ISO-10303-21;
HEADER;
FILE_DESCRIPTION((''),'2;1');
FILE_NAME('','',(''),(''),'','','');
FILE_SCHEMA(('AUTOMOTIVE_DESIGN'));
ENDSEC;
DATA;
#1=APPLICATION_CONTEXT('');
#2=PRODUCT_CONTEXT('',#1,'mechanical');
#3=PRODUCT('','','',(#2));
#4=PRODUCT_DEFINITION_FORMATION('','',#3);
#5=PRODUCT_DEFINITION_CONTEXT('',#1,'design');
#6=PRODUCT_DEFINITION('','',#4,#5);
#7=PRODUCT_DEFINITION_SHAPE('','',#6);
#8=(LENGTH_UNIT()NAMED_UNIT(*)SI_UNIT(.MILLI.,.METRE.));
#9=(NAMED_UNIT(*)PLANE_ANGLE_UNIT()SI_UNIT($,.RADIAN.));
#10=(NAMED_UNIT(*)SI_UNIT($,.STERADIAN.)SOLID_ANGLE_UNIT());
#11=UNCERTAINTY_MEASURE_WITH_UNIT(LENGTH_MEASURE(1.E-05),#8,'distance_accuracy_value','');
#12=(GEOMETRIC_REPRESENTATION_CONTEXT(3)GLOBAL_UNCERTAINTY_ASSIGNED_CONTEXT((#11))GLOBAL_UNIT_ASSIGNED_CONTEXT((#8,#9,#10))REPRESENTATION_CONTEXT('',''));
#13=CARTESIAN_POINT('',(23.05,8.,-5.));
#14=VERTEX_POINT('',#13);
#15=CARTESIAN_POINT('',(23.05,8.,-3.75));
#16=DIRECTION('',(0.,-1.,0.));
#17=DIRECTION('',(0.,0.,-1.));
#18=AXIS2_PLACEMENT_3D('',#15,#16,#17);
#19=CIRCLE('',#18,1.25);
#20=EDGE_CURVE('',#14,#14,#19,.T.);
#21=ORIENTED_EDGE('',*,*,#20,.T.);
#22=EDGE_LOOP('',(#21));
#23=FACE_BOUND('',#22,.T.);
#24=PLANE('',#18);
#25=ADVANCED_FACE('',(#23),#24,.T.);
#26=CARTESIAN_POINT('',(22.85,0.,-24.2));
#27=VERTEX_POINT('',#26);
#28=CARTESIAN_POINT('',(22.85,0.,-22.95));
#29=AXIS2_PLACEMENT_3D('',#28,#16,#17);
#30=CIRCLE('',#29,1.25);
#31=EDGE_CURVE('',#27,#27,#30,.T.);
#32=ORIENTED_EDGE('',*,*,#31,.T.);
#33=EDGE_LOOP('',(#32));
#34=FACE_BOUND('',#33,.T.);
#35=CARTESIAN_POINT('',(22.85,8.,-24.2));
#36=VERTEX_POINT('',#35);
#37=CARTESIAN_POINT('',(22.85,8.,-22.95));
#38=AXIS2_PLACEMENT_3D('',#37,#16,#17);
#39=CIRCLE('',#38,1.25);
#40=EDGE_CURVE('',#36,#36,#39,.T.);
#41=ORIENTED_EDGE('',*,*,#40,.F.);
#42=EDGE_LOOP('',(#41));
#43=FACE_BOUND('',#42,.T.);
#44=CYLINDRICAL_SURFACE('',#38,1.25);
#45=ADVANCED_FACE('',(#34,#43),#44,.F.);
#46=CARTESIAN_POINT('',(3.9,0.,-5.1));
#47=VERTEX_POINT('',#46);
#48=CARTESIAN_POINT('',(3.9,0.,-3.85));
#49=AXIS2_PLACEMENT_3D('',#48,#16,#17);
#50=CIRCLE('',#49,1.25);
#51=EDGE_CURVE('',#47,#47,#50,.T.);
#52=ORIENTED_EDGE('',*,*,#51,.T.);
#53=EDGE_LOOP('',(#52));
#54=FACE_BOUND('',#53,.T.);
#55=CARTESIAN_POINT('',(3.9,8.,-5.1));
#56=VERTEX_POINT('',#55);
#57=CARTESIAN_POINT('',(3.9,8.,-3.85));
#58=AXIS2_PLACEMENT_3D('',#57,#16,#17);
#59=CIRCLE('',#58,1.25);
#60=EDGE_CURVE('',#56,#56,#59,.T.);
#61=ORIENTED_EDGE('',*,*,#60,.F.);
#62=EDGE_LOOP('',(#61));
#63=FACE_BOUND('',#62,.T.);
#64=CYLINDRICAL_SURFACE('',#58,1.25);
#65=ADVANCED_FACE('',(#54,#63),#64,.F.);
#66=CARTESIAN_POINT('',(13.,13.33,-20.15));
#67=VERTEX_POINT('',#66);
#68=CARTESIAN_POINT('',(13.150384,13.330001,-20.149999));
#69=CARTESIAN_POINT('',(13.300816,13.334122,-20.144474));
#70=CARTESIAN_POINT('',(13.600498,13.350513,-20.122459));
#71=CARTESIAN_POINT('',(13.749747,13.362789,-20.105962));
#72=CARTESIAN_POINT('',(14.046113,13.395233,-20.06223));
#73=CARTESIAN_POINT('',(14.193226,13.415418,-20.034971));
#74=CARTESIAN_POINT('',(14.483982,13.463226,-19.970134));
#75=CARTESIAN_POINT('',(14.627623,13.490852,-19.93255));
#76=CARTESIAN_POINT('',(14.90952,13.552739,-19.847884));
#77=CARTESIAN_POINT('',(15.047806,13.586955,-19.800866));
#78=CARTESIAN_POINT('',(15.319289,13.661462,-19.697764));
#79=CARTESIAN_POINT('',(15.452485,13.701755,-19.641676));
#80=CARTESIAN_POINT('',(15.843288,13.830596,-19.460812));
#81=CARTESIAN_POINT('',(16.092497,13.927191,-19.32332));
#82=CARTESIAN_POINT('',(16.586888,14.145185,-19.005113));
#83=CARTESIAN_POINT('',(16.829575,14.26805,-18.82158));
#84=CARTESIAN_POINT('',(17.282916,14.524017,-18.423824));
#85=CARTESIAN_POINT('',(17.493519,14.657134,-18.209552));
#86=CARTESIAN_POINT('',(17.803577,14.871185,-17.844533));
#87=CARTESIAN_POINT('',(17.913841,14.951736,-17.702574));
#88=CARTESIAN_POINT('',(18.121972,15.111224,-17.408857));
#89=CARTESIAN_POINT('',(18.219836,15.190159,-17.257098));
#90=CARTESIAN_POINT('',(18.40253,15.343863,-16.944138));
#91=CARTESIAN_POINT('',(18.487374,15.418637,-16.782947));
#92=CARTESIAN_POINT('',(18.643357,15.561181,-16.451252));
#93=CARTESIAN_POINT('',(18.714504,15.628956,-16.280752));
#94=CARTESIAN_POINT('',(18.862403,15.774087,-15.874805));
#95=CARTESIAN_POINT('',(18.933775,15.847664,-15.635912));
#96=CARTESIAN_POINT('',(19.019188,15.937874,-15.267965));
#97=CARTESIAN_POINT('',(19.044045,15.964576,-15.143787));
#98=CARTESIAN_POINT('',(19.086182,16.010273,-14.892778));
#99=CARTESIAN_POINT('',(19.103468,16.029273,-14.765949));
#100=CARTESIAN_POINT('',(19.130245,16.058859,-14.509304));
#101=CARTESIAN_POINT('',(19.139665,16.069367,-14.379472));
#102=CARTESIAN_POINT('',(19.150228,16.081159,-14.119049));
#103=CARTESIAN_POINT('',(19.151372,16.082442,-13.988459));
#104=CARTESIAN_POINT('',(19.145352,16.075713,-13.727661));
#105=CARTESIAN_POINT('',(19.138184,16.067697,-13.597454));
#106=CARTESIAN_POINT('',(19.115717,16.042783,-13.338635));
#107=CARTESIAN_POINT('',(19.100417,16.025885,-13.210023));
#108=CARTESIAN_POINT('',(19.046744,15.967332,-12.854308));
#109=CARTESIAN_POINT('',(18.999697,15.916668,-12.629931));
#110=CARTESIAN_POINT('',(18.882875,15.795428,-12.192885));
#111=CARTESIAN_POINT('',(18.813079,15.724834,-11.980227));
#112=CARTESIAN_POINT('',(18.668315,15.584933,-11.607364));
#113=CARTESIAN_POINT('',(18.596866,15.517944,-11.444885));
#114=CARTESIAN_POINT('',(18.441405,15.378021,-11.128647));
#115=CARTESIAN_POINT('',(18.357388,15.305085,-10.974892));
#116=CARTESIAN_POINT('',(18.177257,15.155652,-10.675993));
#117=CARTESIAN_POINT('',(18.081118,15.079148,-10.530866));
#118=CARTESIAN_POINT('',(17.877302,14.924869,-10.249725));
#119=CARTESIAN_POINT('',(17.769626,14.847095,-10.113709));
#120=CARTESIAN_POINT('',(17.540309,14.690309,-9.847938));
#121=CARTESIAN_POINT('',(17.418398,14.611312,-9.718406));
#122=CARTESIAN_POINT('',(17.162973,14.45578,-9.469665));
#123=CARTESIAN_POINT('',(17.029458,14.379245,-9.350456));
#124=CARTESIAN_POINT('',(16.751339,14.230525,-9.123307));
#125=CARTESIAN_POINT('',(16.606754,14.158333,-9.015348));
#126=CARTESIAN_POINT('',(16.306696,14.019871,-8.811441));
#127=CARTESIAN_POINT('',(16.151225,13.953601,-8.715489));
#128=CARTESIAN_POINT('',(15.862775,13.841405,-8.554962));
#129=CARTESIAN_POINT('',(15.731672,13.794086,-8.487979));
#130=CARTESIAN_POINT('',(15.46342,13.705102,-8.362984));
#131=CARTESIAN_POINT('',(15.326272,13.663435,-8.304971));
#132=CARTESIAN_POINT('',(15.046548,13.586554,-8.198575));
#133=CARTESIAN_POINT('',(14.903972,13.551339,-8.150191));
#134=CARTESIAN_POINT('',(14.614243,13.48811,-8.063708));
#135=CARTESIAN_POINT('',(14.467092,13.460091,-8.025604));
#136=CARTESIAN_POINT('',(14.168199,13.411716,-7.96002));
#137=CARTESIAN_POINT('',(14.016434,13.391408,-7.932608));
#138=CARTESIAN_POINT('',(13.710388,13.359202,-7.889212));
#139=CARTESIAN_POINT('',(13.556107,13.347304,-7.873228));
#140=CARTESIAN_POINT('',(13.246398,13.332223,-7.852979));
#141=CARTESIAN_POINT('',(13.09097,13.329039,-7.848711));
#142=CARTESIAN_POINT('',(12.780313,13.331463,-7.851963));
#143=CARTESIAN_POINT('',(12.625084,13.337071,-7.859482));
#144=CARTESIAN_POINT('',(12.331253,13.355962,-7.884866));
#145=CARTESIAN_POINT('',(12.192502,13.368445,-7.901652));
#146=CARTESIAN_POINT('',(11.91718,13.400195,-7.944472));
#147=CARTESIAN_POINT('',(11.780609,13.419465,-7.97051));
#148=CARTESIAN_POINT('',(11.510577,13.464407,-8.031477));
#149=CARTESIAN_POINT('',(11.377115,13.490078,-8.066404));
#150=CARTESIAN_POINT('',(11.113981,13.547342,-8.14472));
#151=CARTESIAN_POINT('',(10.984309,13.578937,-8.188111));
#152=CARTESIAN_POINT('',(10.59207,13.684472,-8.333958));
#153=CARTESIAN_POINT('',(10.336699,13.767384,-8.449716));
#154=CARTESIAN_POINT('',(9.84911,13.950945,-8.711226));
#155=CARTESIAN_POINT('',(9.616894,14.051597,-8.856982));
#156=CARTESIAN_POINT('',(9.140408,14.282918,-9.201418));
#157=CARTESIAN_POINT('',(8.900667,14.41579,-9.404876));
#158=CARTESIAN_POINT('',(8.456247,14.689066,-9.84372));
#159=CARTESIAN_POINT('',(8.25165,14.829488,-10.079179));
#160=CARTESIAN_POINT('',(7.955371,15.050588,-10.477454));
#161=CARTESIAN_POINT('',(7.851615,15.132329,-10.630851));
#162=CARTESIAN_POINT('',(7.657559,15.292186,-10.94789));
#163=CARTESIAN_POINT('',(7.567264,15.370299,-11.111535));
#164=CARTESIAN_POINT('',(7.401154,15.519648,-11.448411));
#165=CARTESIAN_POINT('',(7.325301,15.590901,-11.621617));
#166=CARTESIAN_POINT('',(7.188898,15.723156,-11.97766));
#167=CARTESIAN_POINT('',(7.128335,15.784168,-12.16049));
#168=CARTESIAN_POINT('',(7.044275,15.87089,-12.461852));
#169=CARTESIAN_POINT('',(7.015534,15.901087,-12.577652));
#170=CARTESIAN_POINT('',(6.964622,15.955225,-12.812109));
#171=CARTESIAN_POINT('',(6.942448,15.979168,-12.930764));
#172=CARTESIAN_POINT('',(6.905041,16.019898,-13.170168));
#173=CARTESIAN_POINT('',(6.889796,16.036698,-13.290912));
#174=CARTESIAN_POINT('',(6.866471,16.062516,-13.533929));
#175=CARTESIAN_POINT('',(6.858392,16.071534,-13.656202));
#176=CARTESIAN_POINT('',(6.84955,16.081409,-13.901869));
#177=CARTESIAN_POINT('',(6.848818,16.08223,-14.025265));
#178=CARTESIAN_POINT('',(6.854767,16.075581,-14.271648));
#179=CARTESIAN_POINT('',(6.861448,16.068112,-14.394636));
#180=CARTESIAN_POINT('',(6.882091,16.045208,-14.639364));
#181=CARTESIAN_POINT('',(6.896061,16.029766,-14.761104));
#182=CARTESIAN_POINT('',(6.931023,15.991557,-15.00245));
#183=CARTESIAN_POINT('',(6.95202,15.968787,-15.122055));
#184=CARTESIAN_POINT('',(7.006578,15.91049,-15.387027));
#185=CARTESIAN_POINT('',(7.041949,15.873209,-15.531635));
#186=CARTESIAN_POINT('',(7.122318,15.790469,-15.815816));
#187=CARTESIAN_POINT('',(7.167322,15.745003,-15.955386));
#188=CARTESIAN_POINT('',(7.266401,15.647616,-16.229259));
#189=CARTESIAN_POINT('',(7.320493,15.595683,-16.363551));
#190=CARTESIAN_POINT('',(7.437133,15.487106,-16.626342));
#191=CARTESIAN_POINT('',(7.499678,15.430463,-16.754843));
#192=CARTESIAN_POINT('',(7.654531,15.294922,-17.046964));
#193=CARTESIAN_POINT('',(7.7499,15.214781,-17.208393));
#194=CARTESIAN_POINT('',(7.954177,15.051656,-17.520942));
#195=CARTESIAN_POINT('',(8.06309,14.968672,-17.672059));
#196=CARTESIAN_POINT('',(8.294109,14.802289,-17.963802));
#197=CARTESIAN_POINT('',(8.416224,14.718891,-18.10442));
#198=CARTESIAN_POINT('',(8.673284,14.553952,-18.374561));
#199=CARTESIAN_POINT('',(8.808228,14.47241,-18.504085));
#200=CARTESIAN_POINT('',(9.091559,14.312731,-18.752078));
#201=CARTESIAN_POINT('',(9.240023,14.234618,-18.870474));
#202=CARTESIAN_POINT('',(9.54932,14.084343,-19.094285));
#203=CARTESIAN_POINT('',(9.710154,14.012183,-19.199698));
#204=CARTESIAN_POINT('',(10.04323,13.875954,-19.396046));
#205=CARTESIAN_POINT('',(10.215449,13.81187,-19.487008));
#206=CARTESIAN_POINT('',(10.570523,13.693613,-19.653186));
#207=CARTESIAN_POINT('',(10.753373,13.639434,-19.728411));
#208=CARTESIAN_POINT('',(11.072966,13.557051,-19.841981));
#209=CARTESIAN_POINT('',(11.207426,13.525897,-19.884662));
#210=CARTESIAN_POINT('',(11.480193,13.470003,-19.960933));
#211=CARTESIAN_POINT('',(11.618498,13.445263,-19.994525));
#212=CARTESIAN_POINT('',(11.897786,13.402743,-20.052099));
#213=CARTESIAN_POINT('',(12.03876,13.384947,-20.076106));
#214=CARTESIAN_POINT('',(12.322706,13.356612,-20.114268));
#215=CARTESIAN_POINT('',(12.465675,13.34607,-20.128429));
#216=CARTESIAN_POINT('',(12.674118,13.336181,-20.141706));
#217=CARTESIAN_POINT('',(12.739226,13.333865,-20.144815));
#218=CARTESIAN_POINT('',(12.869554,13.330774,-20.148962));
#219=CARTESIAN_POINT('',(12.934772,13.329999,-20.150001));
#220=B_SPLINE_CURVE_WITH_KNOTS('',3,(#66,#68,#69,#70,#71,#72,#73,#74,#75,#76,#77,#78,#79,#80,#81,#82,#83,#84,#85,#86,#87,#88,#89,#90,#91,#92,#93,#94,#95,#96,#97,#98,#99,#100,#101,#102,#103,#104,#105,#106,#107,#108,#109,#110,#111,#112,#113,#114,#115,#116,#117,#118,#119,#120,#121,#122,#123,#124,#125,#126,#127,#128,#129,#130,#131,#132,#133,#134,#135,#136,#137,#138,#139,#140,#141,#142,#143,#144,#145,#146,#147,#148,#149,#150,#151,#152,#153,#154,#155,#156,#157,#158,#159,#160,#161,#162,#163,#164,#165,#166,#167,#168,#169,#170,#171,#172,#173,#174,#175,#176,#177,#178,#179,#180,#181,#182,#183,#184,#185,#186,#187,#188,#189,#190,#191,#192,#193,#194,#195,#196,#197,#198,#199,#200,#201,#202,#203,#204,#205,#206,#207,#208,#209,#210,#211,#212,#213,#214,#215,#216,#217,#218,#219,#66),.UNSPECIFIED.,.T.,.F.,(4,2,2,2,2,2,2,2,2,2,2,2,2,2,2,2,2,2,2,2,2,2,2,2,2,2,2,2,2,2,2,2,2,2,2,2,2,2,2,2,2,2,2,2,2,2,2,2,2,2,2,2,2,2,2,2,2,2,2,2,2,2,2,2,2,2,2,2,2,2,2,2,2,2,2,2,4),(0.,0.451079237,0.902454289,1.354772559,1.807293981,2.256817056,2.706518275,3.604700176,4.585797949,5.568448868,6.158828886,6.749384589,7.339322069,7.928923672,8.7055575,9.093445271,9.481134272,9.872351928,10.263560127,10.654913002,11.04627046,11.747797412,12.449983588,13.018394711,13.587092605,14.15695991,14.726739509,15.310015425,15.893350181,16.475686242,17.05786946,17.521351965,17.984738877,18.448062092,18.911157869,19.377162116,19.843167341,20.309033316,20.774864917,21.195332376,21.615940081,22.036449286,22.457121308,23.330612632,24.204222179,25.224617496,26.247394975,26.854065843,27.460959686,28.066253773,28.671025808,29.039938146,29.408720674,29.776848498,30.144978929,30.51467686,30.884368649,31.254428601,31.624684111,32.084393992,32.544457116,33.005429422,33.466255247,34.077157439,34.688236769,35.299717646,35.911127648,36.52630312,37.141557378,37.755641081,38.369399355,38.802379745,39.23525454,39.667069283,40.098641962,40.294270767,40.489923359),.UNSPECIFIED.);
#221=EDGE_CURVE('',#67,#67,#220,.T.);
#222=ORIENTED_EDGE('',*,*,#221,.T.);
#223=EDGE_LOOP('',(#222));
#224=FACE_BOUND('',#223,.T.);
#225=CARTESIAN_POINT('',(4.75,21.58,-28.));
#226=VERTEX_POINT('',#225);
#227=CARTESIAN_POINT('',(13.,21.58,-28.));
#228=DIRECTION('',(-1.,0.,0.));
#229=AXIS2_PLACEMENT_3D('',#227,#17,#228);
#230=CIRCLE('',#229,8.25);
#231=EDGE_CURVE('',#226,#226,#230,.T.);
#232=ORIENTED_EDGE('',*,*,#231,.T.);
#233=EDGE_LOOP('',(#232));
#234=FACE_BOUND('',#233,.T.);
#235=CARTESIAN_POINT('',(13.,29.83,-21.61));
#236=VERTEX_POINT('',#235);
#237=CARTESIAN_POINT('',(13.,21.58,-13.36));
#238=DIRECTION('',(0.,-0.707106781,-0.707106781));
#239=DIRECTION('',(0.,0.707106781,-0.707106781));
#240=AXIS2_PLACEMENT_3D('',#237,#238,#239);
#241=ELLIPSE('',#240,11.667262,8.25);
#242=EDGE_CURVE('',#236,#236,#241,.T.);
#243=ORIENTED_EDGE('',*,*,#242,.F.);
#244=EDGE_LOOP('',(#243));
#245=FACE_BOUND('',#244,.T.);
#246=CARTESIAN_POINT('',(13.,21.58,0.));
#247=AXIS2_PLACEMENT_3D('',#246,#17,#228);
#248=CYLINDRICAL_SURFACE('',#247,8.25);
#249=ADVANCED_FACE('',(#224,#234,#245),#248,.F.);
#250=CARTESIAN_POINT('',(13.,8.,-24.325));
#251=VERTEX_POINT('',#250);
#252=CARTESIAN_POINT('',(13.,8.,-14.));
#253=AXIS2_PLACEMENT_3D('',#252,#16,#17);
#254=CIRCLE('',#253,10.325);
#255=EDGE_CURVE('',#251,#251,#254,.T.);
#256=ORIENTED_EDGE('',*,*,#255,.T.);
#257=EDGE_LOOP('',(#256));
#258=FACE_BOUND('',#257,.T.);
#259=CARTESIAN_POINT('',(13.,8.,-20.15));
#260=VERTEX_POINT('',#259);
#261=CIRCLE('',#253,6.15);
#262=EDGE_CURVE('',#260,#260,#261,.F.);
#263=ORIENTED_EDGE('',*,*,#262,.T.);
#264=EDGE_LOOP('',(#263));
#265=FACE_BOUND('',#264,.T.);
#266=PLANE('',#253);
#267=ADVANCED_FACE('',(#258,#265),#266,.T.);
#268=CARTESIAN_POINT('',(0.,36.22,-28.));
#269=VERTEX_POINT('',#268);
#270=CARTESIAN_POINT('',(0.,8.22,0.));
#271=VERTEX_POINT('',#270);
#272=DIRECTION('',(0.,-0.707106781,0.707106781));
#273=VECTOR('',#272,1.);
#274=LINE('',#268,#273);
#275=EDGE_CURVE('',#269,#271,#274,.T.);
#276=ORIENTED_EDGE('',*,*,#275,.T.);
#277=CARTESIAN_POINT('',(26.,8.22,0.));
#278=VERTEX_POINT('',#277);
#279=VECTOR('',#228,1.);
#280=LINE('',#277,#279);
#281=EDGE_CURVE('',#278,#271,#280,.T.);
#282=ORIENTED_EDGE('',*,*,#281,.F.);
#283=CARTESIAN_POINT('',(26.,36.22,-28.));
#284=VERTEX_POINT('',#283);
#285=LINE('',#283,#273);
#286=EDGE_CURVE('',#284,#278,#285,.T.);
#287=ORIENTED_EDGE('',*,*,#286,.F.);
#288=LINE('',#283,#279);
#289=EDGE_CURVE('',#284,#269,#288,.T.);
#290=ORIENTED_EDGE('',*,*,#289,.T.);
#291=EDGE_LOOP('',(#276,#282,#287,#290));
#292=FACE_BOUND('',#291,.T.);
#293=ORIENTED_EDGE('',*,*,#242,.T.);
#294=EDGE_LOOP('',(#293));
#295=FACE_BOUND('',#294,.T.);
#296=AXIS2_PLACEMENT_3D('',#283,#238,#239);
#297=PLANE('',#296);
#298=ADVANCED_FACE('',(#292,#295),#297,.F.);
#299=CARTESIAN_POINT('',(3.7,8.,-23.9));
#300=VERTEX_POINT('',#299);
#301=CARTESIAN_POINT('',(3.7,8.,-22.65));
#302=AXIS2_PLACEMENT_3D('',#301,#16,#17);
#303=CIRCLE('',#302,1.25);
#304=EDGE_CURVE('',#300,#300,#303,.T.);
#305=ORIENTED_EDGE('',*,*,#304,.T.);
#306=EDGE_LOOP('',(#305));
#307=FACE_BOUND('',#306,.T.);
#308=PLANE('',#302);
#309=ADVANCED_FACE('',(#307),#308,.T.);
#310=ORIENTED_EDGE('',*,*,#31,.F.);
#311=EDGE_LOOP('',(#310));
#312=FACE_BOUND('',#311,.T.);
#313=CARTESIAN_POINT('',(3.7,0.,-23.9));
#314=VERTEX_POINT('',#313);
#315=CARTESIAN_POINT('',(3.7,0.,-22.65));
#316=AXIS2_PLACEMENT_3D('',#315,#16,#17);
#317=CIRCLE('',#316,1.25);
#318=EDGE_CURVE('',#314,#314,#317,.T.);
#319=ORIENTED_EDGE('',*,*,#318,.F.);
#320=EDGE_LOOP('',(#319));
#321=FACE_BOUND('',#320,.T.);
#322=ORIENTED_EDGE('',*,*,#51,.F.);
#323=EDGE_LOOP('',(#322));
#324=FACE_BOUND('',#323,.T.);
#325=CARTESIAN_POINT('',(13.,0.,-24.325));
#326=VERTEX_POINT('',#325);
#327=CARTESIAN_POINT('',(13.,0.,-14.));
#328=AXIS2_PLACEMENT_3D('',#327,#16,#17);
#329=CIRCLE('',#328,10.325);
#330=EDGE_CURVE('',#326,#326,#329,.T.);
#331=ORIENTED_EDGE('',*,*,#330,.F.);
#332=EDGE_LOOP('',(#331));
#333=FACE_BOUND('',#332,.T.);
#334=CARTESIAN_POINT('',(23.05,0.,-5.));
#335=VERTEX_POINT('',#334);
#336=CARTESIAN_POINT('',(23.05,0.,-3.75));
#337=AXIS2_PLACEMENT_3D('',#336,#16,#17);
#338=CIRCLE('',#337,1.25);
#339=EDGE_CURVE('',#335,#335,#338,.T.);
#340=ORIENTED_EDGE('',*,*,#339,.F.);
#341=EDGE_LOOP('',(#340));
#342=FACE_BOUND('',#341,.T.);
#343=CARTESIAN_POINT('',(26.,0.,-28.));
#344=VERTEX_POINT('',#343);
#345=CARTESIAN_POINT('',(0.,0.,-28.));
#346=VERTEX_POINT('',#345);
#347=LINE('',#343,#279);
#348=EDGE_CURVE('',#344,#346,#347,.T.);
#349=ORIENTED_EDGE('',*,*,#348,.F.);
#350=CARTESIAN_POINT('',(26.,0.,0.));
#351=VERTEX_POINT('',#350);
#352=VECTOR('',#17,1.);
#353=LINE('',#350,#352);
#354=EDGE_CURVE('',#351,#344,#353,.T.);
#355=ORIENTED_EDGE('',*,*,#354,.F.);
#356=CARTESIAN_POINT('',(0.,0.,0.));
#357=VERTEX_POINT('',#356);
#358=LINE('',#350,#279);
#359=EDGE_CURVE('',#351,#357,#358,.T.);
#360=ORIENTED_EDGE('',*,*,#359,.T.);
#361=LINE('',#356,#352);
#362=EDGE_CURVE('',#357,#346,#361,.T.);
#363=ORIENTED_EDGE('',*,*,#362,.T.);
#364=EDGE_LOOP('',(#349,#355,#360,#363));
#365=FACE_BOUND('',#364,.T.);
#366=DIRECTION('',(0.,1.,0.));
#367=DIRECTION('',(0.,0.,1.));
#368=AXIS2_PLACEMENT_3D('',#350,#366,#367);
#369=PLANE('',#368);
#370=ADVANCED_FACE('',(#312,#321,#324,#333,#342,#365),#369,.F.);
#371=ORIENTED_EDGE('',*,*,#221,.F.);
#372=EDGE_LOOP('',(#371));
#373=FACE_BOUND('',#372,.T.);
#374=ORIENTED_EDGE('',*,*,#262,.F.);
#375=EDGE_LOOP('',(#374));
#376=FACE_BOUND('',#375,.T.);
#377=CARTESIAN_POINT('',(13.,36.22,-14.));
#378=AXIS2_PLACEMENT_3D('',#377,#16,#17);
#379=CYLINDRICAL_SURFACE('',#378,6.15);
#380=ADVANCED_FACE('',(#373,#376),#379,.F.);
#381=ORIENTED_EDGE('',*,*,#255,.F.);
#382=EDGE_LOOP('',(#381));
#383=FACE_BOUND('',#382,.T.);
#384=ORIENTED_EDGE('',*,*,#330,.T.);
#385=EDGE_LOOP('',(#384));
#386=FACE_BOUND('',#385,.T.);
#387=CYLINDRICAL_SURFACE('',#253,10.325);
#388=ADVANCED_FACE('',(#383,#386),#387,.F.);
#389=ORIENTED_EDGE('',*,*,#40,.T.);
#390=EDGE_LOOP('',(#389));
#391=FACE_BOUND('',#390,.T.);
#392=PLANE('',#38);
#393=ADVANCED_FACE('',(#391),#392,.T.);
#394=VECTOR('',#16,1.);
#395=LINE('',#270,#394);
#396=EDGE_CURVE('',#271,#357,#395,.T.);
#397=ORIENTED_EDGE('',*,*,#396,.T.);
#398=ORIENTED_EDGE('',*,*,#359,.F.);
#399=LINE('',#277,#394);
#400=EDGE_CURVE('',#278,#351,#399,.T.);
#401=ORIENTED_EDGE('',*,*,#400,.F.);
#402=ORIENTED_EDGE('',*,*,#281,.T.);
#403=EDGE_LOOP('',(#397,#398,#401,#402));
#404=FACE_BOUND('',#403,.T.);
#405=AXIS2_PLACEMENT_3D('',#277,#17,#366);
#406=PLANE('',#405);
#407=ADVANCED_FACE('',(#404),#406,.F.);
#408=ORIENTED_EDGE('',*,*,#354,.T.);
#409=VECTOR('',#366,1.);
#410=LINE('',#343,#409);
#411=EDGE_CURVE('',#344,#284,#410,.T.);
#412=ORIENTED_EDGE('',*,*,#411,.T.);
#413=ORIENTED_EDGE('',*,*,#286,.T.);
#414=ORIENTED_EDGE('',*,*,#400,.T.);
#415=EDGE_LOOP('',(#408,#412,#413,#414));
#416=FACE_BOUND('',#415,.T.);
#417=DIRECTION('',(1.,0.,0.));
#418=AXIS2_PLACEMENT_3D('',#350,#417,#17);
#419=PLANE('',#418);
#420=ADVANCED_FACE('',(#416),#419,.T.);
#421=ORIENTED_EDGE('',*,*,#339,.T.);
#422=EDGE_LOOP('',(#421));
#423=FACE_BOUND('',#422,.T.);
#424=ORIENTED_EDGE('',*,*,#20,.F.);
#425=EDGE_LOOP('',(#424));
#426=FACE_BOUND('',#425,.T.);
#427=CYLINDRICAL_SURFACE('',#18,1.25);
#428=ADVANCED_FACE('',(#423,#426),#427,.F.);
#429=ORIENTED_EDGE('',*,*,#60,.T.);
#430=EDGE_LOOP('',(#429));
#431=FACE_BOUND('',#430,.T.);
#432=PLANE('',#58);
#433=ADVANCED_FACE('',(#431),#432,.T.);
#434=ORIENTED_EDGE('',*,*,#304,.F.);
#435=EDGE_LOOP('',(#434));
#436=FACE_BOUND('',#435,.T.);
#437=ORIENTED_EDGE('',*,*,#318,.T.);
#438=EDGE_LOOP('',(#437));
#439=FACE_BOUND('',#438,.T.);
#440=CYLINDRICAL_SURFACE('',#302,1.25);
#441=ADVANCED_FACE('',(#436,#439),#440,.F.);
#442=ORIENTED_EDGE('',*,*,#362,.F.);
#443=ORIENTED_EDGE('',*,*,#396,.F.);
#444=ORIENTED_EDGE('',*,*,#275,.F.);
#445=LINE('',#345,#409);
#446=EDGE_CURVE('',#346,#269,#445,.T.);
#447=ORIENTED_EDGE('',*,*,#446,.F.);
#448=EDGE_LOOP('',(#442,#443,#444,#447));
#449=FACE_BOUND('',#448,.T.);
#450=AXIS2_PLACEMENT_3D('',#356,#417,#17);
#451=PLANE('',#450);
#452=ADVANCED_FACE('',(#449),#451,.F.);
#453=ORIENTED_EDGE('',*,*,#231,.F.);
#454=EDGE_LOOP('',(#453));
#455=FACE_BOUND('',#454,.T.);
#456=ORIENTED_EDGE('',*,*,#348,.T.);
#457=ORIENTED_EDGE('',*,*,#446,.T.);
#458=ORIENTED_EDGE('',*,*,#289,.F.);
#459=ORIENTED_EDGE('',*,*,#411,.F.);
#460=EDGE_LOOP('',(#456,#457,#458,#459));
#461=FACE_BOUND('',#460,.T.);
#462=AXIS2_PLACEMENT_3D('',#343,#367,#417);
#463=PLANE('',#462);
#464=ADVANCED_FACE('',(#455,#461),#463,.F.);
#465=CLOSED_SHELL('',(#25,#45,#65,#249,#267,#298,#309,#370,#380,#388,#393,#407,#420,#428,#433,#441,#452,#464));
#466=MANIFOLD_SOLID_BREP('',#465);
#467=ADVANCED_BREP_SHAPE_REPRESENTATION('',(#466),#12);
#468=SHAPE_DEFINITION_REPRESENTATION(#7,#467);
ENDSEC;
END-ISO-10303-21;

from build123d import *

# Parameters (mm, degrees)
BOSS_EXTRUDE1_DEPTH = 26
SKETCH2_R           = 8.25
CUT_EXTRUDE1_DEPTH  = 29
SKETCH3_R           = 6.15
CUT_EXTRUDE2_DEPTH  = 37.22
SKETCH4_R           = 10.325
SKETCH4_R_2         = 1.25
CUT_EXTRUDE3_DEPTH  = 8


with BuildPart() as part:
    # Sketch1 → Boss-Extrude1 (new body)
    with BuildSketch(Plane(origin=(0, 0, 0), x_dir=(0, 0, -1), z_dir=(1, 0, 0))):
        Polygon((0, 0), (28, 0), (28, 36.22), (0, 8.22), align=None)
    extrude(amount=BOSS_EXTRUDE1_DEPTH)

    # Sketch2 → Cut-Extrude1 (cut, through all)
    with BuildSketch(Plane(origin=(0, 0, -28), x_dir=(-1, 0, 0), z_dir=(0, 0, -1))):
        with Locations((-13, 21.58)):
            Circle(SKETCH2_R)
    extrude(amount=-CUT_EXTRUDE1_DEPTH, mode=Mode.SUBTRACT)

    # Sketch3 → Cut-Extrude2 (cut, through all)
    with BuildSketch(Plane.XZ):
        with Locations((13, -14)):
            Circle(SKETCH3_R)
    extrude(amount=-CUT_EXTRUDE2_DEPTH, mode=Mode.SUBTRACT)

    # Sketch4 → Cut-Extrude3 (cut)
    with BuildSketch(Plane.XZ):
        with Locations((13, -14)):
            Circle(SKETCH4_R)
        with Locations((3.9, -3.85)):
            Circle(SKETCH4_R_2)
        with Locations((23.05, -3.75)):
            Circle(SKETCH4_R_2)
        with Locations((22.85, -22.95)):
            Circle(SKETCH4_R_2)
        with Locations((3.7, -22.65)):
            Circle(SKETCH4_R_2)
    extrude(amount=-CUT_EXTRUDE3_DEPTH, mode=Mode.SUBTRACT)


solid = part.part
